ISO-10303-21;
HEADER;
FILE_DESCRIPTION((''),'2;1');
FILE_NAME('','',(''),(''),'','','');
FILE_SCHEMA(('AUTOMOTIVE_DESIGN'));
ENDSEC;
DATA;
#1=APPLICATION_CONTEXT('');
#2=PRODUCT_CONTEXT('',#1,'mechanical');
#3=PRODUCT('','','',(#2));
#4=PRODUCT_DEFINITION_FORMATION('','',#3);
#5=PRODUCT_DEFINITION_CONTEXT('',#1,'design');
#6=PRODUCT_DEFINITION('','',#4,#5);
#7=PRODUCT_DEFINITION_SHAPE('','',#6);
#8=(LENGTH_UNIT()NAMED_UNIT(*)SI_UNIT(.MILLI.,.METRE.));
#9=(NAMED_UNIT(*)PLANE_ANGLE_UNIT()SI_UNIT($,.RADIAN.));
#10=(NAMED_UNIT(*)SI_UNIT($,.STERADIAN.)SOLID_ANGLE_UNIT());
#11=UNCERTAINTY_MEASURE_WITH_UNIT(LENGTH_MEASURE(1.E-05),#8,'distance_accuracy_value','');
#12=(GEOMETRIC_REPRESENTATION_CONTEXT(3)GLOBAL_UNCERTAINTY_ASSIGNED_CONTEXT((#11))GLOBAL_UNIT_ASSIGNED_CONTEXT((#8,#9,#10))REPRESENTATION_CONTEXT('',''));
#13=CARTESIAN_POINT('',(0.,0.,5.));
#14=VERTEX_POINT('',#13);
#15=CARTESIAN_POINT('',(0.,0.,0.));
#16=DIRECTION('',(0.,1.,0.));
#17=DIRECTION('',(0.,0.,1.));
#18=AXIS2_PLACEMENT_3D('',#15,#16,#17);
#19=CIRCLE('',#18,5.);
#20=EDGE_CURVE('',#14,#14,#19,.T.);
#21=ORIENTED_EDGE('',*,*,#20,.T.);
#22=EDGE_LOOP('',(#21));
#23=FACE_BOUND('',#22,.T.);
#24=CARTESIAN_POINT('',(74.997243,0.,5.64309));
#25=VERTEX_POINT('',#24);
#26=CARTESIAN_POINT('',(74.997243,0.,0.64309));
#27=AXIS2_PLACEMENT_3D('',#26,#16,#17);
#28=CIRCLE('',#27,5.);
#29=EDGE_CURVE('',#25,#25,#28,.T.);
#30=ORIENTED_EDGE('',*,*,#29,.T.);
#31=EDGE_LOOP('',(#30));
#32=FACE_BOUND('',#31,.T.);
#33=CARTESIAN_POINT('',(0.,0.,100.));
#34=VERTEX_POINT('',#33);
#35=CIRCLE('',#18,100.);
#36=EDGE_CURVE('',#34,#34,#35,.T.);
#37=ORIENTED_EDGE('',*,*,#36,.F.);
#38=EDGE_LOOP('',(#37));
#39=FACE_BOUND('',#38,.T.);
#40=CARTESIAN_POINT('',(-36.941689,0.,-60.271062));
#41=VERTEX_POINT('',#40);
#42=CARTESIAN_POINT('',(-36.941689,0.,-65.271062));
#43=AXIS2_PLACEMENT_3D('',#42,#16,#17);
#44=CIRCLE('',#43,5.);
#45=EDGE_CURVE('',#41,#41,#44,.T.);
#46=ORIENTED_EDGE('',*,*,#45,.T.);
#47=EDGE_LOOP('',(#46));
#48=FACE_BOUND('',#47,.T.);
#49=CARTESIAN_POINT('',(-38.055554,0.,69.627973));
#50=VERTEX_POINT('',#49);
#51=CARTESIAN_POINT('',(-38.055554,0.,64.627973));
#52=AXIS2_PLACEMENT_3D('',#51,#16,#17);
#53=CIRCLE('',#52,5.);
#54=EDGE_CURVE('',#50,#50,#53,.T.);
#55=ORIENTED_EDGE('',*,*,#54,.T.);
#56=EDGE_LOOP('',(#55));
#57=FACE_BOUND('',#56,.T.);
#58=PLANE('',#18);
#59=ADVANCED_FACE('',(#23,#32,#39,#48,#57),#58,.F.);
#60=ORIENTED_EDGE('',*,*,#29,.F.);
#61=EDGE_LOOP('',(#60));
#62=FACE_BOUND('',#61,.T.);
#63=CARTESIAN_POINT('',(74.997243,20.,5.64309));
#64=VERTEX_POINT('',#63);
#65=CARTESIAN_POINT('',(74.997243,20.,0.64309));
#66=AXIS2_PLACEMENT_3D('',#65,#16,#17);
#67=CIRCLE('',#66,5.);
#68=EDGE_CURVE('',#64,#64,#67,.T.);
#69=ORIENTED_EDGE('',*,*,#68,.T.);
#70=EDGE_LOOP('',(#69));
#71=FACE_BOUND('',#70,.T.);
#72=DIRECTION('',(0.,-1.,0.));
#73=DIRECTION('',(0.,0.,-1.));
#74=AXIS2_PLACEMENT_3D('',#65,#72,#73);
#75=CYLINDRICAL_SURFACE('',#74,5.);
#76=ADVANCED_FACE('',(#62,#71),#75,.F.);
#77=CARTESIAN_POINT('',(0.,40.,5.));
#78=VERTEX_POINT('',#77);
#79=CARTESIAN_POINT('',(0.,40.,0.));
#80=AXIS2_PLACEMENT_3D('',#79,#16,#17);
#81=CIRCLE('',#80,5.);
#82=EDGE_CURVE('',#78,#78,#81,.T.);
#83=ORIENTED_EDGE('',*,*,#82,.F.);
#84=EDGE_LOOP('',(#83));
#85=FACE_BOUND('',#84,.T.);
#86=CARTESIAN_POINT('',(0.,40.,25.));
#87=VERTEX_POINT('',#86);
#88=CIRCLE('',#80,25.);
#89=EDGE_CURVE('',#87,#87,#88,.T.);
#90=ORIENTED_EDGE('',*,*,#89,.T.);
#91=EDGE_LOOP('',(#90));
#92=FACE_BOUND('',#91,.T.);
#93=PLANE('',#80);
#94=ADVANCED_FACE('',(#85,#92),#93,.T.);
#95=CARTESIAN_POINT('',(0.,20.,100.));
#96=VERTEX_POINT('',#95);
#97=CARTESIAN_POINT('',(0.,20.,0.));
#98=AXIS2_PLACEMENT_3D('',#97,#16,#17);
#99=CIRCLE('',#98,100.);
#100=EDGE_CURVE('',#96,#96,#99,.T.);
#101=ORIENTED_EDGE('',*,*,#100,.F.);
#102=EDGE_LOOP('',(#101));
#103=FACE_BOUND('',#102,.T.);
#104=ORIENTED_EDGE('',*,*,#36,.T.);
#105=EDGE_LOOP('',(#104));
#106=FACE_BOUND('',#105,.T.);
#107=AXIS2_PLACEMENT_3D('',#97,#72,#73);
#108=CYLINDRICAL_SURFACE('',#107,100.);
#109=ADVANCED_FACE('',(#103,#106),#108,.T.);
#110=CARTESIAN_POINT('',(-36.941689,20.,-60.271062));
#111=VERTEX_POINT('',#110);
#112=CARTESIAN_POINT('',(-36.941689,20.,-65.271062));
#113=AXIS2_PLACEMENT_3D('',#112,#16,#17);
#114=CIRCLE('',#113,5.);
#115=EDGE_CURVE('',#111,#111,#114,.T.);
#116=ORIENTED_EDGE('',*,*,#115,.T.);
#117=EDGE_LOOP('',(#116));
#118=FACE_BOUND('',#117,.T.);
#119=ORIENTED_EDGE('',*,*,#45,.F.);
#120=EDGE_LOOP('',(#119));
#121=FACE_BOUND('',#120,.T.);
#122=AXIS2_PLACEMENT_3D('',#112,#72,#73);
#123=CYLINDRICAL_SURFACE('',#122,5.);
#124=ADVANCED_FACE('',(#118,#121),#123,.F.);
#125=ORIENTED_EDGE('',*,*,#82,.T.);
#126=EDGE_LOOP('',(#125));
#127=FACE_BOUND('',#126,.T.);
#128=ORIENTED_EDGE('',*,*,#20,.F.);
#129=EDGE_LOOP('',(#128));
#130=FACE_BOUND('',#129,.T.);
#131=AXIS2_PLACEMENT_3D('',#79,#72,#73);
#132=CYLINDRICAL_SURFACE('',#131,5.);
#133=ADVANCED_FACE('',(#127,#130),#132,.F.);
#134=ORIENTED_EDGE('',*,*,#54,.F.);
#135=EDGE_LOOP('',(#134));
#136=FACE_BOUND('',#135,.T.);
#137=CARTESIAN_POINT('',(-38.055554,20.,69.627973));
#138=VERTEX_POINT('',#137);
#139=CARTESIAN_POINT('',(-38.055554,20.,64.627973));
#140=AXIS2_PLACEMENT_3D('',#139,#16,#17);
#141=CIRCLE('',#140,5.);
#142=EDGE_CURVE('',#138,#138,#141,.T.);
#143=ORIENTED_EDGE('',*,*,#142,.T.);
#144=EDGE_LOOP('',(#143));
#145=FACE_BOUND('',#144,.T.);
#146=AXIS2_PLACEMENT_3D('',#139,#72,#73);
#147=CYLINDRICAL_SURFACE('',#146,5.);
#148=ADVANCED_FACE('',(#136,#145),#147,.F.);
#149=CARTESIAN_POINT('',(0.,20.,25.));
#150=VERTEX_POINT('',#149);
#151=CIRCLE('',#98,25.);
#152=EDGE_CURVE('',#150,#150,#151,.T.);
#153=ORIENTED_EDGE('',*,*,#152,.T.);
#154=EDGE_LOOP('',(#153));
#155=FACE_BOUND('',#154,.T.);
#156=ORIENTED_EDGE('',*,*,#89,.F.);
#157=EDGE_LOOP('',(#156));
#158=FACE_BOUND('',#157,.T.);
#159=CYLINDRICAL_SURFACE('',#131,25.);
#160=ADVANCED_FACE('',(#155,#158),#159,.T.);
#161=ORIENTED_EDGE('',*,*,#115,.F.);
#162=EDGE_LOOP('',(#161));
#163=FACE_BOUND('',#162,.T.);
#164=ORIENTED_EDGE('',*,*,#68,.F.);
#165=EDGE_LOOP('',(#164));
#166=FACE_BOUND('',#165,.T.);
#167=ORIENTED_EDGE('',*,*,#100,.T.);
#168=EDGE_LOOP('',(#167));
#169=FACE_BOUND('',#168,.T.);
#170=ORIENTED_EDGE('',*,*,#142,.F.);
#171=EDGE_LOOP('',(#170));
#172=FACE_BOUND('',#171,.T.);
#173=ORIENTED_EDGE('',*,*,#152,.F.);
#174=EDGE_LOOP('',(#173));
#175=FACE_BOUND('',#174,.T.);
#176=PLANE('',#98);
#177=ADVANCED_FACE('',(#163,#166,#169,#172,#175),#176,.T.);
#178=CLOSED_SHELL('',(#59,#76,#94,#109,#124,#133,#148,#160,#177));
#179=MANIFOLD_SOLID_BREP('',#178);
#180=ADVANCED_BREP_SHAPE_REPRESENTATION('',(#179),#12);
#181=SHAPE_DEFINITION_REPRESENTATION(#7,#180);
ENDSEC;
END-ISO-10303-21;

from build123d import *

# Parameters (mm, degrees)
SKETCH1_R           = 100
SKETCH1_R_2         = 5
SKETCH1_R_3         = 25
BOSS_EXTRUDE1_DEPTH = 20
SKETCH1_3_R         = 25
SKETCH1_3_R_2       = 5
BOSS_EXTRUDE2_DEPTH = 40


with BuildPart() as part:
    # Sketch1 → Boss-Extrude1 (new body)
    with BuildSketch(Plane(origin=(0, 0, 0), x_dir=(1, 0, 0), z_dir=(0, 1, 0))):
        Circle(SKETCH1_R)
        with Locations((-36.941689274, 65.271062452)):
            Circle(SKETCH1_R_2, mode=Mode.SUBTRACT)
        with Locations((-38.055553578, -64.627972596)):
            Circle(SKETCH1_R_2, mode=Mode.SUBTRACT)
        with Locations((74.997242852, -0.643089856)):
            Circle(SKETCH1_R_2, mode=Mode.SUBTRACT)
        Circle(SKETCH1_R_3, mode=Mode.SUBTRACT)
    extrude(amount=BOSS_EXTRUDE1_DEPTH)

    # Sketch1<3> → Boss-Extrude2 (add)
    with BuildSketch(Plane(origin=(0, 0, 0), x_dir=(1, 0, 0), z_dir=(0, 1, 0))):
        Circle(SKETCH1_3_R)
        Circle(SKETCH1_3_R_2, mode=Mode.SUBTRACT)
    extrude(amount=BOSS_EXTRUDE2_DEPTH)


solid = part.part
